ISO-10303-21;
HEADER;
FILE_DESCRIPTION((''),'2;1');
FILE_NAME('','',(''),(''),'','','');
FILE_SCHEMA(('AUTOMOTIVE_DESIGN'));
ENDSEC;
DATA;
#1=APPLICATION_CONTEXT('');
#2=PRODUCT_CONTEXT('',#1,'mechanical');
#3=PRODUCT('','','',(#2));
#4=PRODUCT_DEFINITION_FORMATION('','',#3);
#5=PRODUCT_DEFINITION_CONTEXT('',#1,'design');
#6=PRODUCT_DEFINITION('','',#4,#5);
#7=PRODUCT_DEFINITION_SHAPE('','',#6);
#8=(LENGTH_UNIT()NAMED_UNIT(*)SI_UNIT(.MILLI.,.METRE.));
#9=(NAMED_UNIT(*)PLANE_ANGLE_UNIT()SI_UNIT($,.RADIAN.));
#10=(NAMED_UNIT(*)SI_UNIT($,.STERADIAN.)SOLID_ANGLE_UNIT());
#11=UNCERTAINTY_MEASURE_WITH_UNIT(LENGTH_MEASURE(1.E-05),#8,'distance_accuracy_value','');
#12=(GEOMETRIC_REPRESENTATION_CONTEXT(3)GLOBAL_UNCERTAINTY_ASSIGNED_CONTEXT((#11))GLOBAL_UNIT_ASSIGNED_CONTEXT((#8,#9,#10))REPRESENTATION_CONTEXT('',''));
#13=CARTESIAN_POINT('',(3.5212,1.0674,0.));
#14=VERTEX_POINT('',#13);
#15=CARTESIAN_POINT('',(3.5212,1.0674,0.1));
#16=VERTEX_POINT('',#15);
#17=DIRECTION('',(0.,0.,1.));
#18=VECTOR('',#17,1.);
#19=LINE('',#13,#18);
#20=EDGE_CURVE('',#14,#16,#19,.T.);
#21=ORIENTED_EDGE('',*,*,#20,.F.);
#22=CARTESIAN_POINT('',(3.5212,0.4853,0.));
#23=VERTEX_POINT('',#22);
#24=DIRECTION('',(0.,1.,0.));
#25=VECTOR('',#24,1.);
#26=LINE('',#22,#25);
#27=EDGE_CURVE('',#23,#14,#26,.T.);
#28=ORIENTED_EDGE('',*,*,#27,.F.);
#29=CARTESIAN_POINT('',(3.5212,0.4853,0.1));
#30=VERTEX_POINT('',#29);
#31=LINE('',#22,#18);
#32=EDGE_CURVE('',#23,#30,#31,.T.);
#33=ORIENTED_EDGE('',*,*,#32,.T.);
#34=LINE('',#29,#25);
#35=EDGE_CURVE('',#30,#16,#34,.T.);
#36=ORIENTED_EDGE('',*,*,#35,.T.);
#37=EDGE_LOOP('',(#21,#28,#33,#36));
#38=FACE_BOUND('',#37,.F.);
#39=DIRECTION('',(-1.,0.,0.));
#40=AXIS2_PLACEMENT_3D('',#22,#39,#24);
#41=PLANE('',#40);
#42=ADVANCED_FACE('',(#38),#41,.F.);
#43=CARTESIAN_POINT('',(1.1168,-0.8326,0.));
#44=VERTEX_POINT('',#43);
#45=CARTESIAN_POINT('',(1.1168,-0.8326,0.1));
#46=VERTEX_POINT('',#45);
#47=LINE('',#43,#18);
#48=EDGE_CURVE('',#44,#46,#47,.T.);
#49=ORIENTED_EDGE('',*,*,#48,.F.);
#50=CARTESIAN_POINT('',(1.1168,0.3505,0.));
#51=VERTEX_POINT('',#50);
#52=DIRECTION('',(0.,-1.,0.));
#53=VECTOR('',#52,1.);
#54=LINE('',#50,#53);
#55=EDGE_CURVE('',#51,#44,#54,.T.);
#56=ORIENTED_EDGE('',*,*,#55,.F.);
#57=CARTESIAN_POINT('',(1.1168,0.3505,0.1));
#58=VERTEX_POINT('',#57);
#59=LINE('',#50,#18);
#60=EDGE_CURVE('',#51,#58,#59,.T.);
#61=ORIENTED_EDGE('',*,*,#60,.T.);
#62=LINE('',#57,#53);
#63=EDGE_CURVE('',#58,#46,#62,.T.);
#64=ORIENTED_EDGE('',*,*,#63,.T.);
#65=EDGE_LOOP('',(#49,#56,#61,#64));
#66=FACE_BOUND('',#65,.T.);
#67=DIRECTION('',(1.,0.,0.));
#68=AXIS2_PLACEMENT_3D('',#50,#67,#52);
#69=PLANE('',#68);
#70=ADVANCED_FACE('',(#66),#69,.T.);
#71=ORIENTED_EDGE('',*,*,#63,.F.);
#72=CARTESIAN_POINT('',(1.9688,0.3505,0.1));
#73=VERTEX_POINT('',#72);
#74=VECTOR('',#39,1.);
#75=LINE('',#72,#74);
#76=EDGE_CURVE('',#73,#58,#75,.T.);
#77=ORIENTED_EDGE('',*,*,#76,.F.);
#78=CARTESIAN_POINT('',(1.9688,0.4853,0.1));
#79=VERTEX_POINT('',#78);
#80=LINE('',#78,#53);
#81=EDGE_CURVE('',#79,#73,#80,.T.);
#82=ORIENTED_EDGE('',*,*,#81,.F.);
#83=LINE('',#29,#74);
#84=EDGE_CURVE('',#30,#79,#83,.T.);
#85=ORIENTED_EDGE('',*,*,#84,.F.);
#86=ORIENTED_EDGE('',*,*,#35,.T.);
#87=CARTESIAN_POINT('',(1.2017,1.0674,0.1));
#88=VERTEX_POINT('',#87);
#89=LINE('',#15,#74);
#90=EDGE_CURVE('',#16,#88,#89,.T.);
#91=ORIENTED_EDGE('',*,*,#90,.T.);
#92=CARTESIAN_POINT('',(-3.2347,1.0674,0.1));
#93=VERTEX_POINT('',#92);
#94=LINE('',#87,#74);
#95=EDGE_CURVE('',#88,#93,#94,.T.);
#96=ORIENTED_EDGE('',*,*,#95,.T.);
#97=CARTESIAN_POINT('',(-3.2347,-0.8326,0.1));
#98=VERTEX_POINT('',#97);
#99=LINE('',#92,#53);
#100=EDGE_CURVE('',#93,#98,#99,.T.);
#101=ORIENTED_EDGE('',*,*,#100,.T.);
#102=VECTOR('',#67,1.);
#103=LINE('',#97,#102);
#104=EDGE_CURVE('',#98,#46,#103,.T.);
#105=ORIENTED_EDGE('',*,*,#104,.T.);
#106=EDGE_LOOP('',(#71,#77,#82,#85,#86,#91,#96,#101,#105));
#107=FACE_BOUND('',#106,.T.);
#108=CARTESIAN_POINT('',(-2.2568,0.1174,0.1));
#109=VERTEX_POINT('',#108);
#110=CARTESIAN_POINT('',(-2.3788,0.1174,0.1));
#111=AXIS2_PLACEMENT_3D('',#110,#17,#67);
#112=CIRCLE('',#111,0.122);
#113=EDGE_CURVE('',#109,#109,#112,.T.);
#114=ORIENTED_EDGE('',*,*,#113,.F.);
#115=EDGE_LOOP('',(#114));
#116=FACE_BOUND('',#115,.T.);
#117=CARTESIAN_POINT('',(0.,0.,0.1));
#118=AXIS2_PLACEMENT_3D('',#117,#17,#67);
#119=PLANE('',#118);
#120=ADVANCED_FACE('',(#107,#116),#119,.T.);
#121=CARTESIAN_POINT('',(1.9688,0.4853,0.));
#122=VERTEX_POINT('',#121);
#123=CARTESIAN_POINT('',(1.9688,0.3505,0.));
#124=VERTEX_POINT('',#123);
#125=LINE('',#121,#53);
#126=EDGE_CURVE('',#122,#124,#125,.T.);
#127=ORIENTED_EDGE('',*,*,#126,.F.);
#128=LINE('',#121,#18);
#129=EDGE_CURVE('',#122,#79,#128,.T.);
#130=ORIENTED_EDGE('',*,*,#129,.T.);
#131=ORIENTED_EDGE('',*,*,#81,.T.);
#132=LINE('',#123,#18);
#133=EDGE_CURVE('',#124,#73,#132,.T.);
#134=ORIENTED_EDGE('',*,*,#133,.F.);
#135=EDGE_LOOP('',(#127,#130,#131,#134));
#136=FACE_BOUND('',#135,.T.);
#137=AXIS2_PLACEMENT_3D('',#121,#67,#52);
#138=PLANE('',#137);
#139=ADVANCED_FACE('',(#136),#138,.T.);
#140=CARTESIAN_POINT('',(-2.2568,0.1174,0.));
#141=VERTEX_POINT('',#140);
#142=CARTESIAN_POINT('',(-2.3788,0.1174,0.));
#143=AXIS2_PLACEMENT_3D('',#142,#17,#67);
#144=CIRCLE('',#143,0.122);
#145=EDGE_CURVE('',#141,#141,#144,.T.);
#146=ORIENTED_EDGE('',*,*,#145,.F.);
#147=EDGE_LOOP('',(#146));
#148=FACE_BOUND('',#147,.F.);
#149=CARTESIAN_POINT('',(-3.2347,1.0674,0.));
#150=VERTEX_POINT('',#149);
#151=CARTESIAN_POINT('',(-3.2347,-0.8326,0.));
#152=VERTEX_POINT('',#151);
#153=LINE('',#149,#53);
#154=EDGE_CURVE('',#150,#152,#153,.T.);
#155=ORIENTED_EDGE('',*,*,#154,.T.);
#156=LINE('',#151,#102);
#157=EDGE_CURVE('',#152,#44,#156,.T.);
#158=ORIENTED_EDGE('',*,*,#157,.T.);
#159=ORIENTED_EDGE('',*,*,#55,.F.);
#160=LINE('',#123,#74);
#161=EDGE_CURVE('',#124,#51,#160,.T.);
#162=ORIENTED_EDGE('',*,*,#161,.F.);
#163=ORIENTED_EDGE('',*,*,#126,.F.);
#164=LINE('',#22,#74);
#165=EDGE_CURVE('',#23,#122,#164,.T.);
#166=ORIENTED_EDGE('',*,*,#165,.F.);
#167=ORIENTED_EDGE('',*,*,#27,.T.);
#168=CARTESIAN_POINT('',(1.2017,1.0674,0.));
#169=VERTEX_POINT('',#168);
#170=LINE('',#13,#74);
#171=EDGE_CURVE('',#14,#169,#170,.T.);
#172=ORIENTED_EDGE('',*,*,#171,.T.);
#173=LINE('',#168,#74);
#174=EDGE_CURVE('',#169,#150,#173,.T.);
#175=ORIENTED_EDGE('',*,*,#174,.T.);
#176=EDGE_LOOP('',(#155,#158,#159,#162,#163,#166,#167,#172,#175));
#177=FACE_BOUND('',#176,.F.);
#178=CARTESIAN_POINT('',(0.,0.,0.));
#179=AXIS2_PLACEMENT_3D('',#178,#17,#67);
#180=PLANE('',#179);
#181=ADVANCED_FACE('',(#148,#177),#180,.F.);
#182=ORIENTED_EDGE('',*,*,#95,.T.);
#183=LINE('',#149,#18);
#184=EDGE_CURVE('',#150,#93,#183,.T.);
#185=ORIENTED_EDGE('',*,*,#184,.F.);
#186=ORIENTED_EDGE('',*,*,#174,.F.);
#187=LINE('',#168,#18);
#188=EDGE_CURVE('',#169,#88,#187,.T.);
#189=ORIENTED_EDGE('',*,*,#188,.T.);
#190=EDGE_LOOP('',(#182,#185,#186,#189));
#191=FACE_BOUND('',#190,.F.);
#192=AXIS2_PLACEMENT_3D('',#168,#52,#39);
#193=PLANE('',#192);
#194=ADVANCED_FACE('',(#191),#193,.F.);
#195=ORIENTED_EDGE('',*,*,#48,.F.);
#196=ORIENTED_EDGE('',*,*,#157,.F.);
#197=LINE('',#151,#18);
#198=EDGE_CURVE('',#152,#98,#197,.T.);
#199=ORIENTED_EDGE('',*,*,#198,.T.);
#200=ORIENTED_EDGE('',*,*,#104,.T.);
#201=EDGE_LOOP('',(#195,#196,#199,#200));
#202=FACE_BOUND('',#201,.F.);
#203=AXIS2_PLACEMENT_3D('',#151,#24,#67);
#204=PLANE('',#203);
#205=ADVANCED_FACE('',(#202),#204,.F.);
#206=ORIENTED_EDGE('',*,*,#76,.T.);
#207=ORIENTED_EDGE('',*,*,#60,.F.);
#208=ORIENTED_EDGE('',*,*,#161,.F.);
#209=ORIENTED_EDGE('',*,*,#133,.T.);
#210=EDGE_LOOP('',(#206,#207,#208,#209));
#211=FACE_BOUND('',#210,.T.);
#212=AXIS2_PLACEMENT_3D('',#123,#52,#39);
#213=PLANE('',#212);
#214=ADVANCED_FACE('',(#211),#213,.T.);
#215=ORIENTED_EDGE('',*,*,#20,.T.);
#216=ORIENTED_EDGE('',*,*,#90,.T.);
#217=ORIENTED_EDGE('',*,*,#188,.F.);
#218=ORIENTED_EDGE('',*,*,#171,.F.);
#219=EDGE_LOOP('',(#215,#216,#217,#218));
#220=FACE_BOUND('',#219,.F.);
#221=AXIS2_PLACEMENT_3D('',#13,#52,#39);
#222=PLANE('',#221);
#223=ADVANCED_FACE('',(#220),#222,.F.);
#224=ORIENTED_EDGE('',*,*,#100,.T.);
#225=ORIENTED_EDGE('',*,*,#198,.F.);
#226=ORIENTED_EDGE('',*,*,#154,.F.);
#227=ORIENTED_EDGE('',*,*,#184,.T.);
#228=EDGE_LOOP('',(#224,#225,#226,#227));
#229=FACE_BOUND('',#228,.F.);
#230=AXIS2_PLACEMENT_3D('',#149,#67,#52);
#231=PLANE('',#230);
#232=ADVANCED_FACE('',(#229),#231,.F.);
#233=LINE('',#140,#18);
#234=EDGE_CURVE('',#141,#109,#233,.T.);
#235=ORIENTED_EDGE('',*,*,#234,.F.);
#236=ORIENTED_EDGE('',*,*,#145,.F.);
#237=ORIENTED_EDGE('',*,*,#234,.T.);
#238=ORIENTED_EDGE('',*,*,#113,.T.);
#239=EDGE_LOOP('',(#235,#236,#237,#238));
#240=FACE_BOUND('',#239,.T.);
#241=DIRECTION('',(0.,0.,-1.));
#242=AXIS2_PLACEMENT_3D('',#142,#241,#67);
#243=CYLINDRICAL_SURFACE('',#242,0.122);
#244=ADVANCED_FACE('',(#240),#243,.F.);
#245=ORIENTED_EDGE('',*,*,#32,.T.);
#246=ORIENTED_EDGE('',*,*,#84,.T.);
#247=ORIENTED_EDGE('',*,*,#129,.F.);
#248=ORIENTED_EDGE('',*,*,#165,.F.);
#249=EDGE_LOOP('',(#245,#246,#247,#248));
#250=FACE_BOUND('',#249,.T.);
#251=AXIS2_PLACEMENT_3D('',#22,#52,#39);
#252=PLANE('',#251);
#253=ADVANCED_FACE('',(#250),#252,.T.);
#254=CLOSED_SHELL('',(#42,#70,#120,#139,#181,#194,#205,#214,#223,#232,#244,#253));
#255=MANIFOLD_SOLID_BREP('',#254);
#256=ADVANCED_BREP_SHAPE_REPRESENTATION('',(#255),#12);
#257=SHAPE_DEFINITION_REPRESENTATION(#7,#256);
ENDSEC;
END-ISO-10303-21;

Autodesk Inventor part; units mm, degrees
ref_plane "YZ Plane" through (0, 0, 0) normal (1, 0, 0) x (0, 1, 0)
ref_plane "XZ Plane" through (0, 0, 0) normal (0, 1, 0) x (-1, 0, 0)
ref_plane "XY Plane" through (0, 0, 0) normal (0, 0, 1) x (1, 0, 0)
sketch "Sketch2" plane through (0, 0, 0) normal (0, 0, 1) x (1, 0, 0)
  line L0 (-3.2347, 1.0674) -> (-3.2347, -0.8326) projected
  line L1 (-3.2347, -0.8326) -> (1.2942, -0.8326) projected
  line L2 (3.5212, -0.8326) -> (3.5212, -0.2505) projected
  line L3 (1.2017, 1.0674) -> (-3.2347, 1.0674) projected
  line L4 (3.5212, 1.0674) -> (-3.2347, 1.0674)
  line L5 (-3.2347, 1.0674) -> (-3.2347, -0.8326)
  line L6 (-3.2347, 0.1174) -> (3.5212, 0.1174) construction
  line L7 (1.9688, -0.1158) -> (1.5482, -0.1158) construction
  line L8 (3.5212, -0.2505) -> (1.9688, -0.2505) construction
  line L9 (1.5482, -0.8326) -> (1.5482, -0.1158) projected
  line L10 (1.5482, -0.8326) -> (3.5212, -0.8326) projected
  line L11 (3.5212, -0.8326) -> (3.5212, -0.2505) projected
  line L12 (3.5212, -0.2505) -> (1.9688, -0.2505) projected
  line L13 (1.9688, -0.2505) -> (1.9688, -0.1158) projected
  line L14 (1.9688, -0.1158) -> (1.5482, -0.1158) projected
  line L15 (1.9688, 0.3505) -> (1.5482, 0.3505) construction
  line L16 (3.5212, 0.4853) -> (1.9688, 0.4853) construction
  line L17 (3.5212, 0.4853) -> (1.9688, 0.4853)
  line L18 (1.9688, 0.3505) -> (1.1168, 0.3505)
  line L19 (1.1168, 0.3505) -> (1.1168, -0.8326)
  line L20 (1.9688, 0.4853) -> (1.9688, 0.3505)
  line L21 (3.5212, -0.8326) -> (3.5212, 0.1174)
  line L22 (3.5212, 0.4853) -> (3.5212, 1.0674)
  line L23 (-3.2347, -0.8326) -> (1.1168, -0.8326)
  line L24 (1.5482, -0.8326) -> (3.5212, -0.8326)
  circle A0 centre (-2.3788, 0.1174) radius 0.122 projected
  point P0 (0, 0)
extrude "Extrusion1" add sketch "Sketch2" along normal blind 0.1 contours L3 L4 L22 L17 L20 L18 L19 L1 L0
properties part number "NegTerm" material "Nickel-Copper Alloy 400"
